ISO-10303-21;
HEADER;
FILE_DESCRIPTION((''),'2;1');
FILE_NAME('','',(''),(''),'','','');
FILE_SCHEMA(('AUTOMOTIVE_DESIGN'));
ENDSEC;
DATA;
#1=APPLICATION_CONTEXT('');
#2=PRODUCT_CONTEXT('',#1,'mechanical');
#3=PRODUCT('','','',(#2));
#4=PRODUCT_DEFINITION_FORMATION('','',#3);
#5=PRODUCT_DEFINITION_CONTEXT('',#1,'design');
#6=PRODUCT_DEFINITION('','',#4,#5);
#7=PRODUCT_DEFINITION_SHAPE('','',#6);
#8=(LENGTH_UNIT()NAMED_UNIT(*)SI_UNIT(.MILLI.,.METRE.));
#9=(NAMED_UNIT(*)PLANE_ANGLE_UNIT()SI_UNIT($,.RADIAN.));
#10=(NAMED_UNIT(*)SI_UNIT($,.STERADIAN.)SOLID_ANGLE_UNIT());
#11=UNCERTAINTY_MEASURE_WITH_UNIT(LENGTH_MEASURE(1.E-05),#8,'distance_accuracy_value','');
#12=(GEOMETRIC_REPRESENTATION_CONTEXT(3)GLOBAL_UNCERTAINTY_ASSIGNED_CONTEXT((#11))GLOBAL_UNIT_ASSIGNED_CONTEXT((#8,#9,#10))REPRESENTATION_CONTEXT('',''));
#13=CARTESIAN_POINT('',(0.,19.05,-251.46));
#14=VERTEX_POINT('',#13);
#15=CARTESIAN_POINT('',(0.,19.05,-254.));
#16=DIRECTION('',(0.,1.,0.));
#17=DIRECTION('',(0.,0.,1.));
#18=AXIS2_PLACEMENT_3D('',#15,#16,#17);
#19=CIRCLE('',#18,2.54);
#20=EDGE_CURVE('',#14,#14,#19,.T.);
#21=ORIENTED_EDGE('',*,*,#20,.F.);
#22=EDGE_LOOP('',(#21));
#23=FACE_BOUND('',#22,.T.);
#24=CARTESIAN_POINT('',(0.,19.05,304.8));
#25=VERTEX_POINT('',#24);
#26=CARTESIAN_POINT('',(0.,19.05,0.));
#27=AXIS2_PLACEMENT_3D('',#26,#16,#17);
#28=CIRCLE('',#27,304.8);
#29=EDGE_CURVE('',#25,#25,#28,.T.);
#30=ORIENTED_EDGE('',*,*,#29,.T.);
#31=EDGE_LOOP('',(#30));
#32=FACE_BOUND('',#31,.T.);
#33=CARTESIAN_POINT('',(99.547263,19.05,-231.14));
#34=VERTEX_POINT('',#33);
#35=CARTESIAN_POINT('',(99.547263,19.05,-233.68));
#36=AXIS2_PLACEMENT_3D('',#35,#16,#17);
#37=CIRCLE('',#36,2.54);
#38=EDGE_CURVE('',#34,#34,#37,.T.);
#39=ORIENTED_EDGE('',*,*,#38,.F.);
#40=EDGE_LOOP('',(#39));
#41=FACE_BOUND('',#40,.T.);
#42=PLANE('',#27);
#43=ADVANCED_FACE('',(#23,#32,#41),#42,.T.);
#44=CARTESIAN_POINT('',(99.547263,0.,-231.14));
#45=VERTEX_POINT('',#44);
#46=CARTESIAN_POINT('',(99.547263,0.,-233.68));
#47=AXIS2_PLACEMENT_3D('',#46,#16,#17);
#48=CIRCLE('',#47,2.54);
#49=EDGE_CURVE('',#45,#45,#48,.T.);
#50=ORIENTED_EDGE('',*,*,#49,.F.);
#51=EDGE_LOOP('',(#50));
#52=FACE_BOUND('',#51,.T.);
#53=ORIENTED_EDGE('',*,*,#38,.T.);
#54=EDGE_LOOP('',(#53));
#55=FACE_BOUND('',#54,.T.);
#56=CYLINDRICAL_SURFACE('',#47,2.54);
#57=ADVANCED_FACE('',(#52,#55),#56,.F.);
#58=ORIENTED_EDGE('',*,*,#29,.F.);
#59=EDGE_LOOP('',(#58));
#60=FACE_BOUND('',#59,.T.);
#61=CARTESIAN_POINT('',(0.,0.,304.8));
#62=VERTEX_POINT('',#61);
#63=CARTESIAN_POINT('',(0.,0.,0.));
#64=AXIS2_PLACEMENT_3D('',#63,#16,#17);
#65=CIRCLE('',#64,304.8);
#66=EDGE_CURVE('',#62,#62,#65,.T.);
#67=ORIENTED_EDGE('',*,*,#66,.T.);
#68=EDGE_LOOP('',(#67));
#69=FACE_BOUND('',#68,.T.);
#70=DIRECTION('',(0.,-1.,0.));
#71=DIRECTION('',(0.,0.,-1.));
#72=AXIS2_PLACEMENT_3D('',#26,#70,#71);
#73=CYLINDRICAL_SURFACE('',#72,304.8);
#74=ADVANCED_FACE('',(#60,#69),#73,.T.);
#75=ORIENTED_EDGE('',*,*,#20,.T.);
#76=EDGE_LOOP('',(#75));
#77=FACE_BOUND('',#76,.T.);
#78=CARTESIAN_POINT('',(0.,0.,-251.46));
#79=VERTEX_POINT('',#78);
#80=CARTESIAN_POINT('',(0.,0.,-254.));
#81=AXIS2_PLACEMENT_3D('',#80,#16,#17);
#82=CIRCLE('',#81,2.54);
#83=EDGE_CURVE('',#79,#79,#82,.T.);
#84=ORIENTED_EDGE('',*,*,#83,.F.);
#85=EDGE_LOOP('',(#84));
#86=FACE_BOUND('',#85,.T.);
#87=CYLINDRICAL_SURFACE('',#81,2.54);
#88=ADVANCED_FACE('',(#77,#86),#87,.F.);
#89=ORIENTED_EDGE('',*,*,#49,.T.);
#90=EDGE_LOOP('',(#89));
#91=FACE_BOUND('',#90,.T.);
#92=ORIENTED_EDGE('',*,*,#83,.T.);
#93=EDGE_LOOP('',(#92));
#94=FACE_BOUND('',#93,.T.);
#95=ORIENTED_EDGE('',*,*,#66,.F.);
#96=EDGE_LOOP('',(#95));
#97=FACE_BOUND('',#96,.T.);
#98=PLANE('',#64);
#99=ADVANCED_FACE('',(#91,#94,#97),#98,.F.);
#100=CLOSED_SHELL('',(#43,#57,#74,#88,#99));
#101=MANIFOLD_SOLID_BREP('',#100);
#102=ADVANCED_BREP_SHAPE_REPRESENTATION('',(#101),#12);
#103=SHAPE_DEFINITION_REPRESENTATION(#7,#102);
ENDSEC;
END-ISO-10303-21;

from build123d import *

# Parameters (mm, degrees)
SKETCH2_R           = 304.8
BOSS_EXTRUDE1_DEPTH = 19.05
SKETCH3_R           = 2.54
CUT_EXTRUDE1_DEPTH  = 20.05


with BuildPart() as part:
    # Sketch2 → Boss-Extrude1 (new body)
    with BuildSketch(Plane(origin=(0, 0, 0), x_dir=(1, 0, 0), z_dir=(0, 1, 0))):
        Circle(SKETCH2_R)
    extrude(amount=BOSS_EXTRUDE1_DEPTH)

    # Sketch3 → Cut-Extrude1 (cut, through all)
    with BuildSketch(Plane(origin=(0, 19.05, 0), x_dir=(1, 0, 0), z_dir=(0, 1, 0))):
        with Locations((0, 254)):
            Circle(SKETCH3_R)
        with Locations((99.547263147, 233.68)):
            Circle(SKETCH3_R)
    extrude(amount=-CUT_EXTRUDE1_DEPTH, mode=Mode.SUBTRACT)


solid = part.part
